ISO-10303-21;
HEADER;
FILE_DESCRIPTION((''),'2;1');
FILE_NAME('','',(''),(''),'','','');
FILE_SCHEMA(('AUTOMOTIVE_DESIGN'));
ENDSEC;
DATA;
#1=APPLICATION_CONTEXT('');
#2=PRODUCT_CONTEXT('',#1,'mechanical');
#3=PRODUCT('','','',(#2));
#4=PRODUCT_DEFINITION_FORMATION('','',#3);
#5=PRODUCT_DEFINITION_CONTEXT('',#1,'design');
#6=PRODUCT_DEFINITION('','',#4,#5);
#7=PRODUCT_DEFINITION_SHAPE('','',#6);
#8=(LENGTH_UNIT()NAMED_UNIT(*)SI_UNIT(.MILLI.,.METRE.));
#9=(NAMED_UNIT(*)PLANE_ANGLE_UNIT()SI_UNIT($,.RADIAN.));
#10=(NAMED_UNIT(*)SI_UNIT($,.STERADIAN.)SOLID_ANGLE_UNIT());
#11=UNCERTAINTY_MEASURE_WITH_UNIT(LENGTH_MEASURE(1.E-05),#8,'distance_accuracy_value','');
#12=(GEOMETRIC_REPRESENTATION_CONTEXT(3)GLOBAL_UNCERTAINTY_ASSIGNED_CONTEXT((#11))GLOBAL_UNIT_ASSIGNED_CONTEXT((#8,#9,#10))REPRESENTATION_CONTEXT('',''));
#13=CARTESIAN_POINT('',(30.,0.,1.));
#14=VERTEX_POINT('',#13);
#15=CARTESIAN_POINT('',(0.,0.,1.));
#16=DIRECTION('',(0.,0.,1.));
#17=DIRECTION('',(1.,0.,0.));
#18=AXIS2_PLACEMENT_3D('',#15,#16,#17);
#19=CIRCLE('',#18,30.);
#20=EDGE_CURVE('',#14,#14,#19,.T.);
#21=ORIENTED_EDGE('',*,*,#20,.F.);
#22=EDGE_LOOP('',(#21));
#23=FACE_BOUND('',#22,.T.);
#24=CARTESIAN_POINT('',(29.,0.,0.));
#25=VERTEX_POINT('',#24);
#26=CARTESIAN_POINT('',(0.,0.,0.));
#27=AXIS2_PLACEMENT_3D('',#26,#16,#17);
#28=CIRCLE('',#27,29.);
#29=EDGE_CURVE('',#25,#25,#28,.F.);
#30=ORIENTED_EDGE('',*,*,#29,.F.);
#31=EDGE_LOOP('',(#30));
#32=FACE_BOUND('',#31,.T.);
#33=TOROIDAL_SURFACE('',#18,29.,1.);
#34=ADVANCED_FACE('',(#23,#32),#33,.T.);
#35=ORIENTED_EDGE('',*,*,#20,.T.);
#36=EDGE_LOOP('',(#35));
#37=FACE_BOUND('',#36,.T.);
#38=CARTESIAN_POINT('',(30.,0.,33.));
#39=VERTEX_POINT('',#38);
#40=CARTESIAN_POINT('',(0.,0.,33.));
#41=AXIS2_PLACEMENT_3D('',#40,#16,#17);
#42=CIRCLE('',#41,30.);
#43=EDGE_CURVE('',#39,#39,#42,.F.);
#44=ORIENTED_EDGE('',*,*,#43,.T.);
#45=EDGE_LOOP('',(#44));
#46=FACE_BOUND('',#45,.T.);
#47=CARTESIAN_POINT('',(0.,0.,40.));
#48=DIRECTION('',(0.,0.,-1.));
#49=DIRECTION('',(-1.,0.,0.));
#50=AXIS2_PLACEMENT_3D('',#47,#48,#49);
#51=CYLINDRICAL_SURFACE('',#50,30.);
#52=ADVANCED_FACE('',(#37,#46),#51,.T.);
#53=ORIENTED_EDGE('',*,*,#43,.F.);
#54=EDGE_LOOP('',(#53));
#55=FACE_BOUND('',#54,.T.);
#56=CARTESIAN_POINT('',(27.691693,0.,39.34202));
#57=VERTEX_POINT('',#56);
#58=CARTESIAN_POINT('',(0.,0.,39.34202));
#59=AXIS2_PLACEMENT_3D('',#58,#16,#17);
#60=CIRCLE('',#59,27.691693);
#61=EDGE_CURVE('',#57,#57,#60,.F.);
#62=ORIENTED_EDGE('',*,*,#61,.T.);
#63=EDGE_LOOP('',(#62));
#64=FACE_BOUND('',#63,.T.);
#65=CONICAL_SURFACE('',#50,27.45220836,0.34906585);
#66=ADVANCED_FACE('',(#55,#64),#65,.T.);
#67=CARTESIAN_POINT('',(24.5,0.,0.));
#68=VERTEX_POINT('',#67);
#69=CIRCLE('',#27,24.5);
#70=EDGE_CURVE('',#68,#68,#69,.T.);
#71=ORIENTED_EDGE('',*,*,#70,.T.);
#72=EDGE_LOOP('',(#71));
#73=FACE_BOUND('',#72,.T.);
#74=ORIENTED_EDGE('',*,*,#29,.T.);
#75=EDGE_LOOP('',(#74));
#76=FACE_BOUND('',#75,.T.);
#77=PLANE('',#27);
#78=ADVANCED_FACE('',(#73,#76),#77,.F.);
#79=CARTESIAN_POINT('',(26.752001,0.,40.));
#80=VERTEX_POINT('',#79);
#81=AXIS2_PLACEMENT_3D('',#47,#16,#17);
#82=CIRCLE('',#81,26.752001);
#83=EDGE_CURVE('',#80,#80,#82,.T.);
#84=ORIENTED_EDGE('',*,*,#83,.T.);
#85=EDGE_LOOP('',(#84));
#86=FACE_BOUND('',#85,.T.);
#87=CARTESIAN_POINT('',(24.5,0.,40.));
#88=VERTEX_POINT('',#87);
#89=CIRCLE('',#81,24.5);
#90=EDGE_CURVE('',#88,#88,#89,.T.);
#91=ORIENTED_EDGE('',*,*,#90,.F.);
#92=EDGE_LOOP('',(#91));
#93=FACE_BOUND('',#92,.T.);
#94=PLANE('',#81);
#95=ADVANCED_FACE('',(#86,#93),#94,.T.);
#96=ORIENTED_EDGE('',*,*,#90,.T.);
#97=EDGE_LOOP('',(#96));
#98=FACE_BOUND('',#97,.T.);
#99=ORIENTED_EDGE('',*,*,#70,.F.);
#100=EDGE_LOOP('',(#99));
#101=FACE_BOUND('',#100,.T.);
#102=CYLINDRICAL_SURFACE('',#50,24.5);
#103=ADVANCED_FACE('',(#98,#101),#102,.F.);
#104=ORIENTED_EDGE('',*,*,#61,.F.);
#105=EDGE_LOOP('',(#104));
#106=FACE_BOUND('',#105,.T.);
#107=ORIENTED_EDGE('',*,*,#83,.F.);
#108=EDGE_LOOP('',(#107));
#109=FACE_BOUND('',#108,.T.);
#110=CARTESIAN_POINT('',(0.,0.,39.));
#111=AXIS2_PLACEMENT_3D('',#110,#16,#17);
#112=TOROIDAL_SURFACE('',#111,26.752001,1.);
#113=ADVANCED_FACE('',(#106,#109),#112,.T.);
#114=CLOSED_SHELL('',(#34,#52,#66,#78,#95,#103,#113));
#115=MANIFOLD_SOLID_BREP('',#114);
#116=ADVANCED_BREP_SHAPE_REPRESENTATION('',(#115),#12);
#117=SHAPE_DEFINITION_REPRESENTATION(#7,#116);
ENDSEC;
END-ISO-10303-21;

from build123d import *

# Parameters (mm, degrees)
SKETCH1_R           = 30
SKETCH1_R_2         = 24.5
BOSS_EXTRUDE1_DEPTH = 40
CHAMFER1_SIZE       = 7
CHAMFER1_SIZE2      = 2.54779164
FILLET1_R           = 1


with BuildPart() as part:
    # Sketch1 → Boss-Extrude1 (new body)
    with BuildSketch(Plane.XY):
        Circle(SKETCH1_R)
        Circle(SKETCH1_R_2, mode=Mode.SUBTRACT)
    extrude(amount=BOSS_EXTRUDE1_DEPTH)

    # Chamfer1
    chamfer1_edges = [part.edges().sort_by_distance(p)[0] for p in [
        (-30, 0, 40),
    ]]
    chamfer1_side = [part.faces().sort_by_distance(p)[0] for p in [
        (-30, 0, 20),
    ]]
    chamfer(chamfer1_edges, length=CHAMFER1_SIZE, length2=CHAMFER1_SIZE2, reference=chamfer1_side[0])

    # Fillet1
    fillet1_edges = [part.edges().sort_by_distance(p)[0] for p in [
        (-30, 0, 0),
        (-27.45220836, 0, 40),
    ]]
    fillet(fillet1_edges, radius=FILLET1_R)


solid = part.part
